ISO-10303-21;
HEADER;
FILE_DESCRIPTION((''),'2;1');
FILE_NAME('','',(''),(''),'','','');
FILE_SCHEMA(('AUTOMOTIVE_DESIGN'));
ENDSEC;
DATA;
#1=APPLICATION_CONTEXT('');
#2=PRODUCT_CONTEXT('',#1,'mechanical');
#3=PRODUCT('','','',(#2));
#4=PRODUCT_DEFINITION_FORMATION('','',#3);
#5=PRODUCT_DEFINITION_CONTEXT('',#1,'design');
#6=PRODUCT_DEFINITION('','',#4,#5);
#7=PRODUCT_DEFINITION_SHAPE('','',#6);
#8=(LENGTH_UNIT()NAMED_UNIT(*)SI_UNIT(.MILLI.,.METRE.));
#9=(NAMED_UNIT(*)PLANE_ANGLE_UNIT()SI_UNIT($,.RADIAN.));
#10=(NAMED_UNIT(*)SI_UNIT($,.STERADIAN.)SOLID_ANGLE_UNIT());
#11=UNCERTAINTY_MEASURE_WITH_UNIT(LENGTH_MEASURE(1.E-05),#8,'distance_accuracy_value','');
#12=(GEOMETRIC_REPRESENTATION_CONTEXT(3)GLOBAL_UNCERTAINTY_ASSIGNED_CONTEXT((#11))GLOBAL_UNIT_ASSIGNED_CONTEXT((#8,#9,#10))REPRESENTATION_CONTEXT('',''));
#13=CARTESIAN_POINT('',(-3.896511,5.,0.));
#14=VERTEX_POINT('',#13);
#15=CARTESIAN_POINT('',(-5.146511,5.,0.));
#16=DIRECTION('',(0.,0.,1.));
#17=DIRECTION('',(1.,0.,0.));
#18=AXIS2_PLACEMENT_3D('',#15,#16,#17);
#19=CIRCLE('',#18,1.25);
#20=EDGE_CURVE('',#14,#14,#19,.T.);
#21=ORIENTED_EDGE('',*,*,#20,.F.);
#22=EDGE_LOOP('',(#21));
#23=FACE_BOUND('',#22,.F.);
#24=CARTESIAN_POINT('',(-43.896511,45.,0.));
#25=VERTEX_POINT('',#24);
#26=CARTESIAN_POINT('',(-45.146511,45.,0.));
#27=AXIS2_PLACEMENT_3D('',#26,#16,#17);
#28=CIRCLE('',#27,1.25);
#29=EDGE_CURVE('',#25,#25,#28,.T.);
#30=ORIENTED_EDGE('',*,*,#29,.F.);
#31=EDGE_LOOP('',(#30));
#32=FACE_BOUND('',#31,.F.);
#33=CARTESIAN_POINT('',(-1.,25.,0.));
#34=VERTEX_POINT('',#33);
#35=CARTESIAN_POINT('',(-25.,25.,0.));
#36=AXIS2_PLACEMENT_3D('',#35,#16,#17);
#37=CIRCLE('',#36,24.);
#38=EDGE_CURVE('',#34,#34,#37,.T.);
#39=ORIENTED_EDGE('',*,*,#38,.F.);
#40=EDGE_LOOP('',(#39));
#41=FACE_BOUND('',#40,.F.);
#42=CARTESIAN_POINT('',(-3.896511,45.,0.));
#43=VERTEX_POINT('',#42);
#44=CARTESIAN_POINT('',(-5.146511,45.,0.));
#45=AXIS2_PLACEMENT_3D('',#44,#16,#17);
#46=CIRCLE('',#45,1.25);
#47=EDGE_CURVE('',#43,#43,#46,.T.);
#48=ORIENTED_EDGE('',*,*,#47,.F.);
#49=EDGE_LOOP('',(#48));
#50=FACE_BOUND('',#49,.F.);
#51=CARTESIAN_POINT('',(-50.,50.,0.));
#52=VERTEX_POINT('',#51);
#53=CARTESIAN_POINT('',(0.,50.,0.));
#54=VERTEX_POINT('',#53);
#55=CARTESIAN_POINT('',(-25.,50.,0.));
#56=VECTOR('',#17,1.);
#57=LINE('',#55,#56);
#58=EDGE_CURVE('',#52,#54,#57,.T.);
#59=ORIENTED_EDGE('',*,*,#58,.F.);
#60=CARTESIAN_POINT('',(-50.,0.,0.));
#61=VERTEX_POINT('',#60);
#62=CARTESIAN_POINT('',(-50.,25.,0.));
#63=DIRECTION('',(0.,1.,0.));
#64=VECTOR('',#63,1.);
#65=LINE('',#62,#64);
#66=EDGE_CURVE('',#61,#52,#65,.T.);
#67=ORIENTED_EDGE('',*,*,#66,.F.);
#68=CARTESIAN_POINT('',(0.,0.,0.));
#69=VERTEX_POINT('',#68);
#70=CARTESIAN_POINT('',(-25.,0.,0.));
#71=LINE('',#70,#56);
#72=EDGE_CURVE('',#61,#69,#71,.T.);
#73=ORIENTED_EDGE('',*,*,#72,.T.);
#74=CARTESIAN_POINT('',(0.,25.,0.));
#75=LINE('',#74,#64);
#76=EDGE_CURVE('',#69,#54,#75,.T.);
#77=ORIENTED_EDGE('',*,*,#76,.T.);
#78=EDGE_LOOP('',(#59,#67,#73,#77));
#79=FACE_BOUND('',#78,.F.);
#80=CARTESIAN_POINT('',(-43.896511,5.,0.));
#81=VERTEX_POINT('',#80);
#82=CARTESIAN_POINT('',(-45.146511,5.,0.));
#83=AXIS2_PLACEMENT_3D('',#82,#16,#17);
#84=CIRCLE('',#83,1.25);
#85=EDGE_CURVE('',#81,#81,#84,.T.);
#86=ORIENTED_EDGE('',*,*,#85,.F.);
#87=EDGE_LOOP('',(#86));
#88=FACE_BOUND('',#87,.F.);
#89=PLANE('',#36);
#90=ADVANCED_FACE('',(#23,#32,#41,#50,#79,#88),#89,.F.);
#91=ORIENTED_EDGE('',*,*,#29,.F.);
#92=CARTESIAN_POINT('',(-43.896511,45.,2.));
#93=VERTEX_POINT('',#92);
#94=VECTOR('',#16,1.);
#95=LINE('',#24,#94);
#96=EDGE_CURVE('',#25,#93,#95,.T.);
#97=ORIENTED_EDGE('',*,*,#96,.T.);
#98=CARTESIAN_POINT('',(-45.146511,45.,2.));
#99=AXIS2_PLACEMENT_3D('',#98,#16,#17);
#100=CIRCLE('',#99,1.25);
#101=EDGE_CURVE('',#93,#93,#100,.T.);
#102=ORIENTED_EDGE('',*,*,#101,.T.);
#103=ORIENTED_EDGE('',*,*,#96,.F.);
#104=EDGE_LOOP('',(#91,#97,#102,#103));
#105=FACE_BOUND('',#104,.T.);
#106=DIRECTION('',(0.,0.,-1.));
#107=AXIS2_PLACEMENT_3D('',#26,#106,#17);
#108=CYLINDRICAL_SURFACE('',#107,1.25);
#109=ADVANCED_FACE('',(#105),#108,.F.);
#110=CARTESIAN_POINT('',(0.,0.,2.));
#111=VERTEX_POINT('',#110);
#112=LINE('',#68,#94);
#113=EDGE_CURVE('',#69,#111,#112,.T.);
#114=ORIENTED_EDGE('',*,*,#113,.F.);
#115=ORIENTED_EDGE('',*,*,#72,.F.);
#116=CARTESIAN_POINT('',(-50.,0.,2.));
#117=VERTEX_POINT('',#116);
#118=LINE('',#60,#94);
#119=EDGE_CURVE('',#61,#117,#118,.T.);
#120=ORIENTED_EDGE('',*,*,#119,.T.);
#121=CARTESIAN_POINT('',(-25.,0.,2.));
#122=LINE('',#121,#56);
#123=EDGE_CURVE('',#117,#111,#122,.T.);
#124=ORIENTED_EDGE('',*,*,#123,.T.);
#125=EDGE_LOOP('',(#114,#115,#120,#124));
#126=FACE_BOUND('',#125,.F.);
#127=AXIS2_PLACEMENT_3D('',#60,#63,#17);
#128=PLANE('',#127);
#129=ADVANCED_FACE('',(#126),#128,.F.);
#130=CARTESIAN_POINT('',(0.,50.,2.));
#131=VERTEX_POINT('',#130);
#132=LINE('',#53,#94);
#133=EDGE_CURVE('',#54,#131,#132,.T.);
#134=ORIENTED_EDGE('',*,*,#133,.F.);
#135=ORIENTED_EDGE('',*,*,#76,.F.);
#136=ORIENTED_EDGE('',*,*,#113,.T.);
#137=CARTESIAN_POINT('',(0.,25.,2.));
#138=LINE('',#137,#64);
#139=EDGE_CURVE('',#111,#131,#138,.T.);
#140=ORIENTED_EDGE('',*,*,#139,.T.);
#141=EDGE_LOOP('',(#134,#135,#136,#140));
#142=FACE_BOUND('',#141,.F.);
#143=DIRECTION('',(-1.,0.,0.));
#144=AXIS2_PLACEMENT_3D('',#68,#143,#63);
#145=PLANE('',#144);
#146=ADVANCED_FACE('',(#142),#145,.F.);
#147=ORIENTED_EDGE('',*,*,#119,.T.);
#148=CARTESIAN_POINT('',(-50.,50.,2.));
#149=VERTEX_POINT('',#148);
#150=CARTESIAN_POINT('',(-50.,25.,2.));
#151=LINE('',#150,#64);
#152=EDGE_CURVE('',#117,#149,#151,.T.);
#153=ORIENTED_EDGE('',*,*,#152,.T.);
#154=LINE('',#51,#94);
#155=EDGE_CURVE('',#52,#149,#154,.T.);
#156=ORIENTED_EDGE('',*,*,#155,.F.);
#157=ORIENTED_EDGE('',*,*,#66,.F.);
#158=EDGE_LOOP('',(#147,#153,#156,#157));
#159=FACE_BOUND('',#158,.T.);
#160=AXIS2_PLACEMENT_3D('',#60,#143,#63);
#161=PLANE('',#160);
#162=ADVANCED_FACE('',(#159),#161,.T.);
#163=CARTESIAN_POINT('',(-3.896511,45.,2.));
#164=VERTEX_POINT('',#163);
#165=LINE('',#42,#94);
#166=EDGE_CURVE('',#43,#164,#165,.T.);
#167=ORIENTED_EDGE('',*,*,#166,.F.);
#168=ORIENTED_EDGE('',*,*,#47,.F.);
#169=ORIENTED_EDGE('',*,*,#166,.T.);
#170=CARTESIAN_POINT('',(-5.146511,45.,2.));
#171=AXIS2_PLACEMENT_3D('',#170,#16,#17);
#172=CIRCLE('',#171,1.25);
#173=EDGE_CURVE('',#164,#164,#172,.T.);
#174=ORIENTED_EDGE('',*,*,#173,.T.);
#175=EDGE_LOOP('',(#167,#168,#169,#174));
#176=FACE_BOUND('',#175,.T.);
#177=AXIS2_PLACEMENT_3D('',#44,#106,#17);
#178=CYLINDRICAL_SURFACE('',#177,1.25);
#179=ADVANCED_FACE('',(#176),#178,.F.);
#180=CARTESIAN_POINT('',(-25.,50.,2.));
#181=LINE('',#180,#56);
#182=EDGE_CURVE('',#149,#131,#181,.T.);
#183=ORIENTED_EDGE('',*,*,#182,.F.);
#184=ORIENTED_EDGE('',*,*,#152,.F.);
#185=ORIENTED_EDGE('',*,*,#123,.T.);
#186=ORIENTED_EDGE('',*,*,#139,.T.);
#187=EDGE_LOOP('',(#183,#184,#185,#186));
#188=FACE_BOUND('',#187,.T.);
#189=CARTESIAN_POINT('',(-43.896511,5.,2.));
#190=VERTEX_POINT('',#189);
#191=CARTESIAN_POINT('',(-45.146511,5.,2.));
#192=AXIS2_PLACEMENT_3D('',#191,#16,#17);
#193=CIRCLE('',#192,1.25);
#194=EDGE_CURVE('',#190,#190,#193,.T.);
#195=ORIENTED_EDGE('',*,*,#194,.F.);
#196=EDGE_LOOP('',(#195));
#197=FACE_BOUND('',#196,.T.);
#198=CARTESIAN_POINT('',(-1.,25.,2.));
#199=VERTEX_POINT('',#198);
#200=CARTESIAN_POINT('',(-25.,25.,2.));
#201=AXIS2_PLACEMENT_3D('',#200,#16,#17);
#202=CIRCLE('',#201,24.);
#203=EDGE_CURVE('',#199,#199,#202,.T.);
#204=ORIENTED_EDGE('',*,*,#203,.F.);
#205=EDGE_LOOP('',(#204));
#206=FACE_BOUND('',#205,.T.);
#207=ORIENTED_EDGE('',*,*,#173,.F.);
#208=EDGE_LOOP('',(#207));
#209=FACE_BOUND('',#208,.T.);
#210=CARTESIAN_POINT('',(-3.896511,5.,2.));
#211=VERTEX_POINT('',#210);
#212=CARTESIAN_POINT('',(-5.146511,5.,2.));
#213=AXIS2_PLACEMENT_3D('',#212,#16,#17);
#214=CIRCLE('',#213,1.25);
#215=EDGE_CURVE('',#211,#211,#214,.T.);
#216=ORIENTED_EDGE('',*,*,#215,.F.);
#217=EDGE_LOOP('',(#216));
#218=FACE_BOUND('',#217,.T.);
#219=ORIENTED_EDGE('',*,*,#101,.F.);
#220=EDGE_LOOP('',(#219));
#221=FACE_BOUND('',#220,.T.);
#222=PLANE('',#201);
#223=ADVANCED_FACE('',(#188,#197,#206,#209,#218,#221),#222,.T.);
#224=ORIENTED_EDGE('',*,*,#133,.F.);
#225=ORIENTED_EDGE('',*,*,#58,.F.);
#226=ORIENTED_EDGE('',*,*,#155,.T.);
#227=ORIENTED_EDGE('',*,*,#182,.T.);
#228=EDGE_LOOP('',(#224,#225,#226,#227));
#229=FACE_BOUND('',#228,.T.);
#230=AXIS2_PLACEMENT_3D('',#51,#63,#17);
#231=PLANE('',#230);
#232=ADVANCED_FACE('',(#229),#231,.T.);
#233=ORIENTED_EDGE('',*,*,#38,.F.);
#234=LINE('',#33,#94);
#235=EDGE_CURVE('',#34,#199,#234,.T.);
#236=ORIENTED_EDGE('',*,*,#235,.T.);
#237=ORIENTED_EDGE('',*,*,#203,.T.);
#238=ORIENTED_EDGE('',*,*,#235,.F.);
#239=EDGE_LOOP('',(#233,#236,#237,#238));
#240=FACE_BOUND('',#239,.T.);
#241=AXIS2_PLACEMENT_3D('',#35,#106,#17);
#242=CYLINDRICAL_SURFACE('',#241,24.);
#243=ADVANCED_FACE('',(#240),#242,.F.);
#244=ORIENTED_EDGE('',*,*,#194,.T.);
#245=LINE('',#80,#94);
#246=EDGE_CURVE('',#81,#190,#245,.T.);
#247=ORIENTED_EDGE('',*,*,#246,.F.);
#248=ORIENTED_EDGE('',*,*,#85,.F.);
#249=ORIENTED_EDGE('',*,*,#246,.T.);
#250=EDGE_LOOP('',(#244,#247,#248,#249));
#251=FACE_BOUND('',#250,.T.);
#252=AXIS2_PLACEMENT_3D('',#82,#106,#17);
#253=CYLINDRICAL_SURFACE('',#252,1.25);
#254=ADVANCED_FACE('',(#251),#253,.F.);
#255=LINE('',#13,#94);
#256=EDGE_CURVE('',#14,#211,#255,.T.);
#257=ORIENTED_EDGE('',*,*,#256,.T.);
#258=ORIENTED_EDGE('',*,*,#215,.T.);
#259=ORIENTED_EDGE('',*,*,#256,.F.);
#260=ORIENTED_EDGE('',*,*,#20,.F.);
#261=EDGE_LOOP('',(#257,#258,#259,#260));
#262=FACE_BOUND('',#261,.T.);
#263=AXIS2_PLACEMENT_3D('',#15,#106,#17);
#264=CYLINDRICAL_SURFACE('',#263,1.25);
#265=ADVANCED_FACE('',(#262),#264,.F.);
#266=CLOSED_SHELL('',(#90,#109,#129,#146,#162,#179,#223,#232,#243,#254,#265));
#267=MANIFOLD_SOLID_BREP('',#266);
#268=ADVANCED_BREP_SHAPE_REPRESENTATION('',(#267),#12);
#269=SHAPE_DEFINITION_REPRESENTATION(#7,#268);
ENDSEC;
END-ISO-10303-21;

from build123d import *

# Parameters (mm, degrees)
F0_W     = 50
F0_H     = 50
F0_R     = 1.25
F0_R_2   = 24
F1_DEPTH = 2


with BuildPart() as f1:
    # F0 (on Top) → F1 (new body)
    with BuildSketch(Plane.XY):
        with Locations((-25, 25)):
            Rectangle(F0_W, F0_H)
        with Locations((-45.146511, 5)):
            Circle(F0_R, mode=Mode.SUBTRACT)
        with Locations((-5.146511, 5)):
            Circle(F0_R, mode=Mode.SUBTRACT)
        with Locations((-45.146511, 45)):
            Circle(F0_R, mode=Mode.SUBTRACT)
        with Locations((-25, 25)):
            Circle(F0_R_2, mode=Mode.SUBTRACT)
        with Locations((-5.146511, 45)):
            Circle(F0_R, mode=Mode.SUBTRACT)
    extrude(amount=F1_DEPTH)


solid = f1.part
